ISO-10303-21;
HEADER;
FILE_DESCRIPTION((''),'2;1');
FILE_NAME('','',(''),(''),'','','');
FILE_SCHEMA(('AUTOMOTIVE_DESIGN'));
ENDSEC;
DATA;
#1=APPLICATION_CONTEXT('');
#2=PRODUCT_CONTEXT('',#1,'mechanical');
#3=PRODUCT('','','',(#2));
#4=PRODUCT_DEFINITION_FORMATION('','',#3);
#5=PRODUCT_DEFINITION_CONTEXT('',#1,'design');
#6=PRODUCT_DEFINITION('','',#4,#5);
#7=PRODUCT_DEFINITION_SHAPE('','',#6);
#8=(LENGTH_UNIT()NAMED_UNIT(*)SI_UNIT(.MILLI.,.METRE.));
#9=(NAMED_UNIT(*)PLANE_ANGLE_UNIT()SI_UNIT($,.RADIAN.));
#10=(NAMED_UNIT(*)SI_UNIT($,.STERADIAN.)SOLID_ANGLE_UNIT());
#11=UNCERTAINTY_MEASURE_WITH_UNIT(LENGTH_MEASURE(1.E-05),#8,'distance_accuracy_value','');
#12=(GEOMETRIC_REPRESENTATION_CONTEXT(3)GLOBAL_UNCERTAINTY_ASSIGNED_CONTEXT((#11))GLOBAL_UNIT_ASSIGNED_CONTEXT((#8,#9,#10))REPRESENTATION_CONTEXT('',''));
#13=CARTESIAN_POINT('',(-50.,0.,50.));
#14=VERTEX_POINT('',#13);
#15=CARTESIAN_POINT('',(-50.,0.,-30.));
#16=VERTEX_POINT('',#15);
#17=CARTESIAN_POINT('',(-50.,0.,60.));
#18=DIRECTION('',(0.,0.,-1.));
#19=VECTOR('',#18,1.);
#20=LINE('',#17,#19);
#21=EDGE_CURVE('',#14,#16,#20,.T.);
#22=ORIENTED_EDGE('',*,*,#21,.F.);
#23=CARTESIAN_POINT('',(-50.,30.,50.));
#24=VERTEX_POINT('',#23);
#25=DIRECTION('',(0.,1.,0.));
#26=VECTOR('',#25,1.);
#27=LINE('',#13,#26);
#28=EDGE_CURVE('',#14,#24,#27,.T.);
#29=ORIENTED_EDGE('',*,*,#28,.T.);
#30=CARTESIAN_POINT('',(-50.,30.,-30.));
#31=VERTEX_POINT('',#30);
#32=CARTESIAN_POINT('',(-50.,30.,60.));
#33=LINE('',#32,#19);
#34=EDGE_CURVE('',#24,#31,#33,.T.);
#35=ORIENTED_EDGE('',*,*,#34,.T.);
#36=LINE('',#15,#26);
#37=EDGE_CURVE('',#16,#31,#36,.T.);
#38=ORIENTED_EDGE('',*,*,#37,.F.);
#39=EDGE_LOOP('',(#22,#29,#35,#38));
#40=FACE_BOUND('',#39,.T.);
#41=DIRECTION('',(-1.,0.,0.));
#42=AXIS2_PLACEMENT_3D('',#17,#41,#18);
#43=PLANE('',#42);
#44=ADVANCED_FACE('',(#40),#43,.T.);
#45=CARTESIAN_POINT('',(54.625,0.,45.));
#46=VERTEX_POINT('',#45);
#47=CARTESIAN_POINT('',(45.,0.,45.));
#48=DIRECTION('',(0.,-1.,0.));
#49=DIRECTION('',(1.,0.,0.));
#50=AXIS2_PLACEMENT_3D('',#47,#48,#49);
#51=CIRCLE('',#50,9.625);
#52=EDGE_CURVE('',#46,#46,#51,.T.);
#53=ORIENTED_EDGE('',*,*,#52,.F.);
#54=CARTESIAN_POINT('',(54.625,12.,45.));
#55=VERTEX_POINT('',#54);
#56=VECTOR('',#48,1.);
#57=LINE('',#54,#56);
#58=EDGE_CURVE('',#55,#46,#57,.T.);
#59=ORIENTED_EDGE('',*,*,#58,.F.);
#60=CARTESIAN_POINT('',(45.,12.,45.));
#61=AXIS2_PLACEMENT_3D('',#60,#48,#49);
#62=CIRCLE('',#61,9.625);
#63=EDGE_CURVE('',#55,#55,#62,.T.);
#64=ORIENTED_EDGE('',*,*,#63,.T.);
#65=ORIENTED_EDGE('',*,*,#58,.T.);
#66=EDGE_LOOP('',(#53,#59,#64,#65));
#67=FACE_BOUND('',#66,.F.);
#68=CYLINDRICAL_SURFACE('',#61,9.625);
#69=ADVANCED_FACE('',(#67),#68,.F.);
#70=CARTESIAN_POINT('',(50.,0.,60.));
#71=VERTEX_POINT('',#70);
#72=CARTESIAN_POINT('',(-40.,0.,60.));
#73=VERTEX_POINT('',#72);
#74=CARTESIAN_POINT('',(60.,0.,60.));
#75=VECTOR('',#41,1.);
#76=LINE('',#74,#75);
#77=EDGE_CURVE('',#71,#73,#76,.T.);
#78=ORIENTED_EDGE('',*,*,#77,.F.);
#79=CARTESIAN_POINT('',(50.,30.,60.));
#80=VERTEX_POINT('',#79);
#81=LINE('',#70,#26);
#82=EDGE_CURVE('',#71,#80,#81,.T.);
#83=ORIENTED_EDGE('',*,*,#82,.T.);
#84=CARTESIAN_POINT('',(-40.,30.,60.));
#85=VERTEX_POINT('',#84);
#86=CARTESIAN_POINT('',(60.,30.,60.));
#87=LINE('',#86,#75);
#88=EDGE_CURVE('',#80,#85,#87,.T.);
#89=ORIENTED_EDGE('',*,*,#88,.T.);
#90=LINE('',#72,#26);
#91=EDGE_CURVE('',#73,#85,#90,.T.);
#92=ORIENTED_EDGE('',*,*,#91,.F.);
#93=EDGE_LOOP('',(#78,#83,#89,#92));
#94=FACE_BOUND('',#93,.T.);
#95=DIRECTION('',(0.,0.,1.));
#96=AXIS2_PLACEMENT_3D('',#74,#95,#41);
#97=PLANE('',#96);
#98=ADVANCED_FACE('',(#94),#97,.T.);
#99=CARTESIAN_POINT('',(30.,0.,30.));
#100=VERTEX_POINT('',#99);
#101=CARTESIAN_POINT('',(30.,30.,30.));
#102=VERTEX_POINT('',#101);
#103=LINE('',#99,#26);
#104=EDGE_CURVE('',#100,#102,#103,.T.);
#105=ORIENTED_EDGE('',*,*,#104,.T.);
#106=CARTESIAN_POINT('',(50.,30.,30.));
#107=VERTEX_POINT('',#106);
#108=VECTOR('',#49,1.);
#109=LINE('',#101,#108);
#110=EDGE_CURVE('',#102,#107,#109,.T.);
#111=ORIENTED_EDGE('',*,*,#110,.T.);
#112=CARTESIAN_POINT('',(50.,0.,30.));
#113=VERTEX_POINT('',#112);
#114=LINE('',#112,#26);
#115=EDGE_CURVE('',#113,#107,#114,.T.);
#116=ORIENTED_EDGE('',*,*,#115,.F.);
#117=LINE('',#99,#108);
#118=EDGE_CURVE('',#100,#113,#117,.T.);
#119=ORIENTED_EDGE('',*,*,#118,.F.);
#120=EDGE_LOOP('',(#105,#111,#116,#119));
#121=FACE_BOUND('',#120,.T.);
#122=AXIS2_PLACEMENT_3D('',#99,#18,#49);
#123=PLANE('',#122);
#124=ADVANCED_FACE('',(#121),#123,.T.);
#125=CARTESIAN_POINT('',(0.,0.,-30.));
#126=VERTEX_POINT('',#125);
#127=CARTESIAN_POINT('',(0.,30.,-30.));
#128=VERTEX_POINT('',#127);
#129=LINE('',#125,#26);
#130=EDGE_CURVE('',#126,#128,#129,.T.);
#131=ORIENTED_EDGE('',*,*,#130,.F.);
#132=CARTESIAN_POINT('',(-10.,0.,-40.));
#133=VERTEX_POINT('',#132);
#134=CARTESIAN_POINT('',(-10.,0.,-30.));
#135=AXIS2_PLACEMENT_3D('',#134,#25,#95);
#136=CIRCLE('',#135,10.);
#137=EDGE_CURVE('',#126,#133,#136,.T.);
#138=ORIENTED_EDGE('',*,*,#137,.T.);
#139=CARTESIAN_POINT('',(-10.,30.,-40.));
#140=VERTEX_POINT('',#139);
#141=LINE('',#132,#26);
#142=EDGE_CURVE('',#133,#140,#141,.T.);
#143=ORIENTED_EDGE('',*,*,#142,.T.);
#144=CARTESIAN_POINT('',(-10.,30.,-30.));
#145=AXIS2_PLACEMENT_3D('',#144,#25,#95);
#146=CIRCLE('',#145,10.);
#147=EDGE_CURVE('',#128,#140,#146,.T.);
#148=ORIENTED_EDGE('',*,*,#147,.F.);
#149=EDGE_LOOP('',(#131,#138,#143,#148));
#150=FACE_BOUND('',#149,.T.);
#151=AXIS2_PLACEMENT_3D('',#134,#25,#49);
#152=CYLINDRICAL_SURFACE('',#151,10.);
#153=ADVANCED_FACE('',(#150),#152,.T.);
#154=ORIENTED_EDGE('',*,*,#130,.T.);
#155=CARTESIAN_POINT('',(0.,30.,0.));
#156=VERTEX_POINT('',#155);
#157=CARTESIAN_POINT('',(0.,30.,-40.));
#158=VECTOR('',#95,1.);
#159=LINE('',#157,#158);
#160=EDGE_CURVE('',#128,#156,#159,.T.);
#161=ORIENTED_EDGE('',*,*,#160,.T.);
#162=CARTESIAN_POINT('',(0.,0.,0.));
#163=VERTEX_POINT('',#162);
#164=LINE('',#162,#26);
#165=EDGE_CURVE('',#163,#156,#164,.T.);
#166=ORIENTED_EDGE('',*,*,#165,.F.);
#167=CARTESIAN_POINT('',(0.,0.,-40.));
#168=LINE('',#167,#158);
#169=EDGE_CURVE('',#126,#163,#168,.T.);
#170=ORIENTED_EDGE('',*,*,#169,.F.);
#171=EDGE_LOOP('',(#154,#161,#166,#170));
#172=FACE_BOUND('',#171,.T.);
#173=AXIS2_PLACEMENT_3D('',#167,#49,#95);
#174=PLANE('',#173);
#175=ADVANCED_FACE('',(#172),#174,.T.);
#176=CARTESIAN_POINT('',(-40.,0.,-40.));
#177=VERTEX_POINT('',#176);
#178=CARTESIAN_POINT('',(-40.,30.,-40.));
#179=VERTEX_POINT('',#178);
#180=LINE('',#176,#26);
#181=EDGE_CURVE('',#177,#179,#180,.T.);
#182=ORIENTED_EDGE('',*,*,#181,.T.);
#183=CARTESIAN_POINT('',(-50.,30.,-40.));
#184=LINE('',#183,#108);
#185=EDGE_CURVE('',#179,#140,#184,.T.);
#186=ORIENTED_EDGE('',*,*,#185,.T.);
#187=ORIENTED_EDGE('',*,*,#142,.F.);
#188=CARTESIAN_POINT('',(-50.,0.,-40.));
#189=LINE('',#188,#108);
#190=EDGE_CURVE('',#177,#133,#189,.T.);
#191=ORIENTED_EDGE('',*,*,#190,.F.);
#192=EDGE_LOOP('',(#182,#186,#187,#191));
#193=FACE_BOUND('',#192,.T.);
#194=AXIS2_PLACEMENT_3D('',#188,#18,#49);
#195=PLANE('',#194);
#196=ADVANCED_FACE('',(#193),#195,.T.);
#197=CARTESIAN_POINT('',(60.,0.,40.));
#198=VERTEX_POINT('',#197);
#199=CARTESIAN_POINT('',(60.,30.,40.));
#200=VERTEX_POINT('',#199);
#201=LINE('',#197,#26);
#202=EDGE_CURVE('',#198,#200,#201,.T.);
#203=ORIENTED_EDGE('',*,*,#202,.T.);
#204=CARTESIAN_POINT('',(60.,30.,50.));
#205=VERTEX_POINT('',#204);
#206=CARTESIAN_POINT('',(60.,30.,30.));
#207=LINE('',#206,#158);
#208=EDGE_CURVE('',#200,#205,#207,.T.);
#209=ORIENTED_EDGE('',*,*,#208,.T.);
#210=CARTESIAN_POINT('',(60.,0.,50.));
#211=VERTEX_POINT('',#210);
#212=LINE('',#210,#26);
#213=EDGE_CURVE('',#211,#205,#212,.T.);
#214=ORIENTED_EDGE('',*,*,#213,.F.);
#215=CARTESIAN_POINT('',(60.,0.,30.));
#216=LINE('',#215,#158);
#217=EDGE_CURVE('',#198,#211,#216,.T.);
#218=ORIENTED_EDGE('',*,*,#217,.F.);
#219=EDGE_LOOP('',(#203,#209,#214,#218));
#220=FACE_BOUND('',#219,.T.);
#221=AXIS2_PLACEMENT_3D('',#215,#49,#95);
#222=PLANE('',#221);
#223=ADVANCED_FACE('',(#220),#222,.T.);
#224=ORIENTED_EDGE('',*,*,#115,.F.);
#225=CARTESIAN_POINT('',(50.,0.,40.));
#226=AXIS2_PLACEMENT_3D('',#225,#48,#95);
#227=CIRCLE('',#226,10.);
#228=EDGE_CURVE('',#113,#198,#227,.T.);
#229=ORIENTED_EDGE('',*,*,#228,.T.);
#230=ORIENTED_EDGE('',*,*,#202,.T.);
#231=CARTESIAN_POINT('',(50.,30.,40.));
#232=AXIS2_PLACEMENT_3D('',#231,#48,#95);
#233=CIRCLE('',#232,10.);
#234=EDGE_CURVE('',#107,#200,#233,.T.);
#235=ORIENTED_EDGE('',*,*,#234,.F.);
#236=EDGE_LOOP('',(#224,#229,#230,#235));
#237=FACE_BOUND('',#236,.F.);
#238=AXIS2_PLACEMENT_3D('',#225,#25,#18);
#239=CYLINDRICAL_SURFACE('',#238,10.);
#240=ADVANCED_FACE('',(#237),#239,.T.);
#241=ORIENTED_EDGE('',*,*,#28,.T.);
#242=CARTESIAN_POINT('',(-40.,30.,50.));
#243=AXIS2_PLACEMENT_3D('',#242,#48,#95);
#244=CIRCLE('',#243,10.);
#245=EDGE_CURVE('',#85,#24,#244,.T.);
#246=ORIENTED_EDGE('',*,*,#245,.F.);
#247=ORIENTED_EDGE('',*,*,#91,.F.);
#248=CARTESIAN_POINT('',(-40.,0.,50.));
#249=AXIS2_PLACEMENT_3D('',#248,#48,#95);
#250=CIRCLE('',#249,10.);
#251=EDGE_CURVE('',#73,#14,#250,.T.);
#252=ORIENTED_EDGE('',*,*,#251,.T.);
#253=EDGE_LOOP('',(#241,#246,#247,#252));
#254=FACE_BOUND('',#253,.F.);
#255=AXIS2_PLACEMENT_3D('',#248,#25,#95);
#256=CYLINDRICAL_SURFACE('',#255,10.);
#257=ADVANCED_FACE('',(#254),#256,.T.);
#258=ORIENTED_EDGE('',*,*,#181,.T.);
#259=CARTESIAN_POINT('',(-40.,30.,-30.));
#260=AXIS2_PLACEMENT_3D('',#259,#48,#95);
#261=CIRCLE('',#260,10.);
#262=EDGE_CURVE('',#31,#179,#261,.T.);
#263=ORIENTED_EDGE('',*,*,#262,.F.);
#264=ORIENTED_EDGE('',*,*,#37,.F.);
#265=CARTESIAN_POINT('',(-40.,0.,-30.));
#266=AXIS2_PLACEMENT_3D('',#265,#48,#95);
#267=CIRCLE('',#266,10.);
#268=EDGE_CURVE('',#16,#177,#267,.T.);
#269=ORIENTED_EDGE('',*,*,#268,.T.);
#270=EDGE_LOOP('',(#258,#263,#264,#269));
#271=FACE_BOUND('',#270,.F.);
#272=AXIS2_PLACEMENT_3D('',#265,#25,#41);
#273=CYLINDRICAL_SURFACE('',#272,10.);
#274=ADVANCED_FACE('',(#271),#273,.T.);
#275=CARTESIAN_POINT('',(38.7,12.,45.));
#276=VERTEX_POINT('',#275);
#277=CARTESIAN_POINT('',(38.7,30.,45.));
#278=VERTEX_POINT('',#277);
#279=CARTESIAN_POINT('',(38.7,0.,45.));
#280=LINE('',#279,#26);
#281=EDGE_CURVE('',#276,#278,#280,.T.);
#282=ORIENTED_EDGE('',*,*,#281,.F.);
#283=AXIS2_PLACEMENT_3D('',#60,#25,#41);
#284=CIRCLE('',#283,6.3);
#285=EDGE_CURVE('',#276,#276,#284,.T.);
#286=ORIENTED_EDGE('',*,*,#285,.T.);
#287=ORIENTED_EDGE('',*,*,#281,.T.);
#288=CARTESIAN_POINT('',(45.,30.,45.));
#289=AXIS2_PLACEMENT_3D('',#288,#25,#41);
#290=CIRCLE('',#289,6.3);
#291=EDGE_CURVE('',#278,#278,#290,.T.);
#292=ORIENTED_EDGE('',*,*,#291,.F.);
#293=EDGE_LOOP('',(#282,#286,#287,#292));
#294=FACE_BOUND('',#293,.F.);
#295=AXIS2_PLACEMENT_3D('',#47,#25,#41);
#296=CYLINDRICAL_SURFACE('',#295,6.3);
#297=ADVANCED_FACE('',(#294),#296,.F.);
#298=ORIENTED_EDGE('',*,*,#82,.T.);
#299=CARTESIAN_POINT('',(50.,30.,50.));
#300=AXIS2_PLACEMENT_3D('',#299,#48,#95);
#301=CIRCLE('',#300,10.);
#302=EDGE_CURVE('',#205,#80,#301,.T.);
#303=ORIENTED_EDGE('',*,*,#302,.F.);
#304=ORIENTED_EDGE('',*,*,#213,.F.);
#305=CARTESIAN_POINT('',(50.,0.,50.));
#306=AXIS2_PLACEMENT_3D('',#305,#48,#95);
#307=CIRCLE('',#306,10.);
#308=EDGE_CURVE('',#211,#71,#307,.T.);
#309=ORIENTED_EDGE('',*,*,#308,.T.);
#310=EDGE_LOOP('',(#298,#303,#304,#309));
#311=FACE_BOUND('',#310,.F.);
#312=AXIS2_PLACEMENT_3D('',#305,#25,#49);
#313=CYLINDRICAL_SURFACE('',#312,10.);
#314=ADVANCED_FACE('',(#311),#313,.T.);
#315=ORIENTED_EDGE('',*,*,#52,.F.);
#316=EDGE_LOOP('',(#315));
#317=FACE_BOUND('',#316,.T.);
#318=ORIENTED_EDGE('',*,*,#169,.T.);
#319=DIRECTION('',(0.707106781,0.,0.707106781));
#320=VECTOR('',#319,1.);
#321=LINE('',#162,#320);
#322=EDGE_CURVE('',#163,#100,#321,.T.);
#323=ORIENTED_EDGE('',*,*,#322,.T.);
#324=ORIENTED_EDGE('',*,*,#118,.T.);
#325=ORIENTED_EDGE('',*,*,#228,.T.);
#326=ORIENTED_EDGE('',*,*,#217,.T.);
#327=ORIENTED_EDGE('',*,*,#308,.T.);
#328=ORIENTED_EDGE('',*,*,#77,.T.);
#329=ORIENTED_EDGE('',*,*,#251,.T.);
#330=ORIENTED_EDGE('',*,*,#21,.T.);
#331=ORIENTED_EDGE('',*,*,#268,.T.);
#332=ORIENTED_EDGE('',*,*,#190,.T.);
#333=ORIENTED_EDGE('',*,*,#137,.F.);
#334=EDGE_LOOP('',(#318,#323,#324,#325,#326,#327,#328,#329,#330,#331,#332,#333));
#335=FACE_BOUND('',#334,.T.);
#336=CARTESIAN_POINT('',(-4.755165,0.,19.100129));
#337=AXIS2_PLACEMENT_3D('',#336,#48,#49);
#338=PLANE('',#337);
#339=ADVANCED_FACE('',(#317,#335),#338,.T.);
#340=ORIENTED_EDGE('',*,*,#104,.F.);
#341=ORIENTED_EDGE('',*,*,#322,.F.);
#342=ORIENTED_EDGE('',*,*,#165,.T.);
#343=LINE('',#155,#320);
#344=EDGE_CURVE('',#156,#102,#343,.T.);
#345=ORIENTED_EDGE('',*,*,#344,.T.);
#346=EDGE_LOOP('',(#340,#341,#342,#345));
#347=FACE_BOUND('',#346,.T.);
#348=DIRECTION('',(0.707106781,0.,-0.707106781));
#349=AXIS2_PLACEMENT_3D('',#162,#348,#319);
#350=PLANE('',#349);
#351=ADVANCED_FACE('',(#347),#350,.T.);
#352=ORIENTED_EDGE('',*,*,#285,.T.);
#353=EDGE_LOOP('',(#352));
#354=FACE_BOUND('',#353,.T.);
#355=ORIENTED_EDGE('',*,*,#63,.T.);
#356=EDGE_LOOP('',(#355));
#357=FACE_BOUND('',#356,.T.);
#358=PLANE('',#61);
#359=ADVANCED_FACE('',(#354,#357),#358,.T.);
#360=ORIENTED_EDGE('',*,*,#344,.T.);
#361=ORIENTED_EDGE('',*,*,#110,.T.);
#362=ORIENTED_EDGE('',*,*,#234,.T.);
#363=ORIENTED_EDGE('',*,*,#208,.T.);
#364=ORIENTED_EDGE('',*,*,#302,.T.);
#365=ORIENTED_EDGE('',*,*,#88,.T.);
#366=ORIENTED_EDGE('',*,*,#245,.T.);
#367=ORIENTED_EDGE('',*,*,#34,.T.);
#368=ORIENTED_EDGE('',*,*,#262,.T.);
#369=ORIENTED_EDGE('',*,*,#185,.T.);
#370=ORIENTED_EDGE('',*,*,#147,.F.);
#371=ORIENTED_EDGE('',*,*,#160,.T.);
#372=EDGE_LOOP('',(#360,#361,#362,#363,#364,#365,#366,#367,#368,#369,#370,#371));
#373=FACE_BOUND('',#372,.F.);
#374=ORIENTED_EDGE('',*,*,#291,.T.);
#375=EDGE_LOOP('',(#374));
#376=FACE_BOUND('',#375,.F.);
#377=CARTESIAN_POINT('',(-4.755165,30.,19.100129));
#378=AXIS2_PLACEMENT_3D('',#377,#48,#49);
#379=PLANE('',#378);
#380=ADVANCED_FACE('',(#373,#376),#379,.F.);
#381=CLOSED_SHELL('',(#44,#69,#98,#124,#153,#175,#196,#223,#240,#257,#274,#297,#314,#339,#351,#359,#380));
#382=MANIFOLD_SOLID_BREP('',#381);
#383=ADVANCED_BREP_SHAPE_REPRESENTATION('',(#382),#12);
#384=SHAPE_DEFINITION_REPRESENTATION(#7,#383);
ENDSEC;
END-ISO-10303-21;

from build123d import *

# Parameters (mm, degrees)
F1_DEPTH       = 30
F2_R           = 10
F3_D           = 12.6
F3_CBORE_D     = 19.25
F3_CBORE_DEPTH = 12


with BuildPart() as f1:
    # F0 (on Front) → F1 (new body)
    with BuildSketch(Plane.XZ):
        Polygon((0, -40), (0, 0), (30, 30), (60, 30), (60, 60), (-50, 60), (-50, -40), align=None)
    extrude(amount=-F1_DEPTH)

    # F2
    f2_edges = [f1.edges().sort_by_distance(p)[0] for p in [
        (-50, 15, -40),
        (0, 15, -40),
        (-50, 15, 60),
        (60, 15, 60),
        (60, 15, 30),
    ]]
    fillet(f2_edges, radius=F2_R)

    # F3 (through all)
    with Locations(Plane.XZ):
        with Locations((45, 45)):
            CounterBoreHole(F3_D / 2, F3_CBORE_D / 2, F3_CBORE_DEPTH)


solid = f1.part
